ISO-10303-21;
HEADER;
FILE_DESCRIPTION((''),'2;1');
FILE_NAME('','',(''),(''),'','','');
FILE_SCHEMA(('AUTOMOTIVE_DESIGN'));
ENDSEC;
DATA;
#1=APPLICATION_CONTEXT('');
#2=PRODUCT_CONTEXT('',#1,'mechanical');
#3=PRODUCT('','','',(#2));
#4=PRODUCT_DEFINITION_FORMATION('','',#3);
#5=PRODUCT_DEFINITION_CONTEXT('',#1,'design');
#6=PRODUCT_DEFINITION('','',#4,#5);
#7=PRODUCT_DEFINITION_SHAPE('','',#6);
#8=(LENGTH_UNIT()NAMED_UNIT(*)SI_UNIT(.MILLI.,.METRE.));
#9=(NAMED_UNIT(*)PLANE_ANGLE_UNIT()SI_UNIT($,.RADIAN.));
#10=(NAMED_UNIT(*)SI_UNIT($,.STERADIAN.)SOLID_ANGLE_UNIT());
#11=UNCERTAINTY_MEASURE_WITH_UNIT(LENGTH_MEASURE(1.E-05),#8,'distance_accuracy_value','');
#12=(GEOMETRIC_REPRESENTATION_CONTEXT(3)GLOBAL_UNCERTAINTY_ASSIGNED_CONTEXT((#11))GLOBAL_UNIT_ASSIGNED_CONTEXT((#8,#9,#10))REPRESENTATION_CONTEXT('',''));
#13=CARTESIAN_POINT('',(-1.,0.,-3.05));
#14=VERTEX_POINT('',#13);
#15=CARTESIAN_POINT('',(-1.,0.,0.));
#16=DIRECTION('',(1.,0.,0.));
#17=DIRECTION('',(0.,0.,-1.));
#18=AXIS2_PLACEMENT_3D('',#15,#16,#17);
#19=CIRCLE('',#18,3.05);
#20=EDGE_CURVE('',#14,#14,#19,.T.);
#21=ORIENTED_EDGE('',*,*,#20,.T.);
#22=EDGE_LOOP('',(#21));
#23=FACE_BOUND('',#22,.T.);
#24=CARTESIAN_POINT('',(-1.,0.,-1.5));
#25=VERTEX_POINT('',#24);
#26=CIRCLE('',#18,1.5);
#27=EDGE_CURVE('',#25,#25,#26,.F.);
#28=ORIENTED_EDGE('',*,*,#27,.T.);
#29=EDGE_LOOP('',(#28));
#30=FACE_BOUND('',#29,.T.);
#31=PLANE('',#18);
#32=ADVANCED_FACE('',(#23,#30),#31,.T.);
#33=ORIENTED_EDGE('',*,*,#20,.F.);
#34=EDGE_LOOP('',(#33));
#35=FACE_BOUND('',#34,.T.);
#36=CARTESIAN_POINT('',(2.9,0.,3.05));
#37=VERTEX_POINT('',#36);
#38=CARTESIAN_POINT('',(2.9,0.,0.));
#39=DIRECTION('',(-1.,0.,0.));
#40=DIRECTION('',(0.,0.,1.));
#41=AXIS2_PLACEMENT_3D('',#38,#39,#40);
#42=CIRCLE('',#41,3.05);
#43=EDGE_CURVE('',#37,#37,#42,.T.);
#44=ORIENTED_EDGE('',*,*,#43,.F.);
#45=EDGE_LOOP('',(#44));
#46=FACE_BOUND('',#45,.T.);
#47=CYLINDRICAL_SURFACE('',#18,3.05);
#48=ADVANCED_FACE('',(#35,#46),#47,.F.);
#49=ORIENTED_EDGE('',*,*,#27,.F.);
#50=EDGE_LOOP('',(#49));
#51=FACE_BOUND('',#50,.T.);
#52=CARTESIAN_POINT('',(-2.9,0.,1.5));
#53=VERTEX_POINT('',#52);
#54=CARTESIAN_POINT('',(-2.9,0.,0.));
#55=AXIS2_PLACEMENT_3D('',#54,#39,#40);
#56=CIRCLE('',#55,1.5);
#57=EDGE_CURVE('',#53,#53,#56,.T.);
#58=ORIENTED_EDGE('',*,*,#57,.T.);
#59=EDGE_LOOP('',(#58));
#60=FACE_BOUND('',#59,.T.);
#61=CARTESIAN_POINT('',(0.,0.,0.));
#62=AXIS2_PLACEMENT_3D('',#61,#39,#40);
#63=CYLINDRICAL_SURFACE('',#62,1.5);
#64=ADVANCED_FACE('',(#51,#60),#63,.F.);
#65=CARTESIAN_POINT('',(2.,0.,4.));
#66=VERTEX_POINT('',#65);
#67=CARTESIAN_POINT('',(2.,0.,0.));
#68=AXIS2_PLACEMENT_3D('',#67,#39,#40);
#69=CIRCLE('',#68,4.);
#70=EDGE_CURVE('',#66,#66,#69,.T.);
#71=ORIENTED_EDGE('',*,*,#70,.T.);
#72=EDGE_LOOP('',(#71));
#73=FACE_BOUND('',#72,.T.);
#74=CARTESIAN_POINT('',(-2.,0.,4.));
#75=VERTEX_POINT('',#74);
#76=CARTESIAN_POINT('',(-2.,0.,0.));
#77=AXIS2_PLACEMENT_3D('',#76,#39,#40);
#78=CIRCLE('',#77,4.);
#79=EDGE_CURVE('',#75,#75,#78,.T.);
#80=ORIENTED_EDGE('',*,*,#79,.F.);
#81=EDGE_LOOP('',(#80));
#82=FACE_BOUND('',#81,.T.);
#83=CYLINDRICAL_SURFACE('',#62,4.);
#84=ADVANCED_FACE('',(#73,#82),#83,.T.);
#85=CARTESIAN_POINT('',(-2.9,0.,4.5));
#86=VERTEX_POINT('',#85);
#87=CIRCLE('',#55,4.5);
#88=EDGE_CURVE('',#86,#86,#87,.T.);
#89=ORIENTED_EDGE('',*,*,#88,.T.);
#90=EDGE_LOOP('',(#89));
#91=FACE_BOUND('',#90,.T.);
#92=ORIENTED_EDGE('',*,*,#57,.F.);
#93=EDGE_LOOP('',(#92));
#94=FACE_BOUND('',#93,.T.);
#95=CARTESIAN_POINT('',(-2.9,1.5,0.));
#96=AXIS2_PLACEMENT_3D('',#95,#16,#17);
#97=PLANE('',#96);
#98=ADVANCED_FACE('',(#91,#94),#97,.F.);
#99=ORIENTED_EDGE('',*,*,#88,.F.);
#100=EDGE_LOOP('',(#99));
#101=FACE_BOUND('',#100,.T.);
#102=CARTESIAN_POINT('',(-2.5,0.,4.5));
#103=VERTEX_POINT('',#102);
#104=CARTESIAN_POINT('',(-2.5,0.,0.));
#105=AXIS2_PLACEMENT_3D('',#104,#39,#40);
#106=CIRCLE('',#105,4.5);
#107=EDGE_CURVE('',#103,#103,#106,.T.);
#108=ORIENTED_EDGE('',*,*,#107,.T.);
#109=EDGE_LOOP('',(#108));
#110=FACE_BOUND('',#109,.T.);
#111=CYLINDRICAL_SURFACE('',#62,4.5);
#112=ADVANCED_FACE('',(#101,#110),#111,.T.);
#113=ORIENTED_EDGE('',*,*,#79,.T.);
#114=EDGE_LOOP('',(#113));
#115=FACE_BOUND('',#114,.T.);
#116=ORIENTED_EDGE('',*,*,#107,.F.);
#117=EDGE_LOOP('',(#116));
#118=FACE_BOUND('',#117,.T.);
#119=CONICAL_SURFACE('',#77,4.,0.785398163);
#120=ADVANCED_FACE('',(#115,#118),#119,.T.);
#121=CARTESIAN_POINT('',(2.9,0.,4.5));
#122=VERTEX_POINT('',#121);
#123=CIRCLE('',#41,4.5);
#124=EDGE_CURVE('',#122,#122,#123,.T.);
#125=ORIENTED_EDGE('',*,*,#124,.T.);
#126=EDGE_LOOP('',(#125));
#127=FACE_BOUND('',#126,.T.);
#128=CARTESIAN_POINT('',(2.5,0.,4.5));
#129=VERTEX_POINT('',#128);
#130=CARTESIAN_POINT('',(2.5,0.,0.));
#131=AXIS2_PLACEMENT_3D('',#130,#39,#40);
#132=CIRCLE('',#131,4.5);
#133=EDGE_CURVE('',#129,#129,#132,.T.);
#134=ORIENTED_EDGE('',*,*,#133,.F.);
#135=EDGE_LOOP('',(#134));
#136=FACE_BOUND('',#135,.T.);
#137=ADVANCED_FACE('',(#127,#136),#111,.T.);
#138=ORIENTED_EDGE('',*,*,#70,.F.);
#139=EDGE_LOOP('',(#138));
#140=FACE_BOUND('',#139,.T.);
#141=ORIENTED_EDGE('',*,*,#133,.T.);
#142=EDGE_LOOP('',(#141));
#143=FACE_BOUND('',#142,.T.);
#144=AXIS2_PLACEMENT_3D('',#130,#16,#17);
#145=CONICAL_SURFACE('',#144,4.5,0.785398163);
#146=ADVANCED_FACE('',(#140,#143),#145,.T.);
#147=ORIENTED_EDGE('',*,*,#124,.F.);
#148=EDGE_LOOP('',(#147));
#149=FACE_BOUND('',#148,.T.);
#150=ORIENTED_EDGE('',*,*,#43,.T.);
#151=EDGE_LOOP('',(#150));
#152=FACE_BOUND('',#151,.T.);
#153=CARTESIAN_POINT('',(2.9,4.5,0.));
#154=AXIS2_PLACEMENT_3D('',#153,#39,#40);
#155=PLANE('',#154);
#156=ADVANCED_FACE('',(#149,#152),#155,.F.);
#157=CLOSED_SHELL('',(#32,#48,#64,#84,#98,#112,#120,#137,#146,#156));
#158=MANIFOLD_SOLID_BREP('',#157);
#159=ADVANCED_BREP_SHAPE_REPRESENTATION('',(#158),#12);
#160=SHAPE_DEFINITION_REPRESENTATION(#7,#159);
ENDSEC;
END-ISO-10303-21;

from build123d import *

# Parameters (mm, degrees)
SKETCH3_R               = 3.05
CUT_EXTRUDE1_DEPTH      = 10
CUT_EXTRUDE1_DEPTH_BACK = 1


with BuildPart() as part:
    # Sketch1 → Revolve1 (revolve)
    with BuildSketch(Plane.XY):
        Polygon((-2.9, 1.5), (-2.9, 4.5), (-2.5, 4.5), (-2, 4), (2, 4), (2.5, 4.5), (2.9, 4.5), (2.9, 1.5), align=None)
    revolve(axis=Axis((0, 0, 0), (1, 0, 0)))

    # Sketch3 → Cut-Extrude1 (cut, two sides)
    with BuildSketch(Plane(origin=(0, 0, 0), x_dir=(0, 0, -1), z_dir=(1, 0, 0))) as cut_extrude1_sk:
        Circle(SKETCH3_R)
    extrude(amount=CUT_EXTRUDE1_DEPTH, mode=Mode.SUBTRACT)
    extrude(cut_extrude1_sk.sketch, amount=-CUT_EXTRUDE1_DEPTH_BACK, mode=Mode.SUBTRACT)


solid = part.part
